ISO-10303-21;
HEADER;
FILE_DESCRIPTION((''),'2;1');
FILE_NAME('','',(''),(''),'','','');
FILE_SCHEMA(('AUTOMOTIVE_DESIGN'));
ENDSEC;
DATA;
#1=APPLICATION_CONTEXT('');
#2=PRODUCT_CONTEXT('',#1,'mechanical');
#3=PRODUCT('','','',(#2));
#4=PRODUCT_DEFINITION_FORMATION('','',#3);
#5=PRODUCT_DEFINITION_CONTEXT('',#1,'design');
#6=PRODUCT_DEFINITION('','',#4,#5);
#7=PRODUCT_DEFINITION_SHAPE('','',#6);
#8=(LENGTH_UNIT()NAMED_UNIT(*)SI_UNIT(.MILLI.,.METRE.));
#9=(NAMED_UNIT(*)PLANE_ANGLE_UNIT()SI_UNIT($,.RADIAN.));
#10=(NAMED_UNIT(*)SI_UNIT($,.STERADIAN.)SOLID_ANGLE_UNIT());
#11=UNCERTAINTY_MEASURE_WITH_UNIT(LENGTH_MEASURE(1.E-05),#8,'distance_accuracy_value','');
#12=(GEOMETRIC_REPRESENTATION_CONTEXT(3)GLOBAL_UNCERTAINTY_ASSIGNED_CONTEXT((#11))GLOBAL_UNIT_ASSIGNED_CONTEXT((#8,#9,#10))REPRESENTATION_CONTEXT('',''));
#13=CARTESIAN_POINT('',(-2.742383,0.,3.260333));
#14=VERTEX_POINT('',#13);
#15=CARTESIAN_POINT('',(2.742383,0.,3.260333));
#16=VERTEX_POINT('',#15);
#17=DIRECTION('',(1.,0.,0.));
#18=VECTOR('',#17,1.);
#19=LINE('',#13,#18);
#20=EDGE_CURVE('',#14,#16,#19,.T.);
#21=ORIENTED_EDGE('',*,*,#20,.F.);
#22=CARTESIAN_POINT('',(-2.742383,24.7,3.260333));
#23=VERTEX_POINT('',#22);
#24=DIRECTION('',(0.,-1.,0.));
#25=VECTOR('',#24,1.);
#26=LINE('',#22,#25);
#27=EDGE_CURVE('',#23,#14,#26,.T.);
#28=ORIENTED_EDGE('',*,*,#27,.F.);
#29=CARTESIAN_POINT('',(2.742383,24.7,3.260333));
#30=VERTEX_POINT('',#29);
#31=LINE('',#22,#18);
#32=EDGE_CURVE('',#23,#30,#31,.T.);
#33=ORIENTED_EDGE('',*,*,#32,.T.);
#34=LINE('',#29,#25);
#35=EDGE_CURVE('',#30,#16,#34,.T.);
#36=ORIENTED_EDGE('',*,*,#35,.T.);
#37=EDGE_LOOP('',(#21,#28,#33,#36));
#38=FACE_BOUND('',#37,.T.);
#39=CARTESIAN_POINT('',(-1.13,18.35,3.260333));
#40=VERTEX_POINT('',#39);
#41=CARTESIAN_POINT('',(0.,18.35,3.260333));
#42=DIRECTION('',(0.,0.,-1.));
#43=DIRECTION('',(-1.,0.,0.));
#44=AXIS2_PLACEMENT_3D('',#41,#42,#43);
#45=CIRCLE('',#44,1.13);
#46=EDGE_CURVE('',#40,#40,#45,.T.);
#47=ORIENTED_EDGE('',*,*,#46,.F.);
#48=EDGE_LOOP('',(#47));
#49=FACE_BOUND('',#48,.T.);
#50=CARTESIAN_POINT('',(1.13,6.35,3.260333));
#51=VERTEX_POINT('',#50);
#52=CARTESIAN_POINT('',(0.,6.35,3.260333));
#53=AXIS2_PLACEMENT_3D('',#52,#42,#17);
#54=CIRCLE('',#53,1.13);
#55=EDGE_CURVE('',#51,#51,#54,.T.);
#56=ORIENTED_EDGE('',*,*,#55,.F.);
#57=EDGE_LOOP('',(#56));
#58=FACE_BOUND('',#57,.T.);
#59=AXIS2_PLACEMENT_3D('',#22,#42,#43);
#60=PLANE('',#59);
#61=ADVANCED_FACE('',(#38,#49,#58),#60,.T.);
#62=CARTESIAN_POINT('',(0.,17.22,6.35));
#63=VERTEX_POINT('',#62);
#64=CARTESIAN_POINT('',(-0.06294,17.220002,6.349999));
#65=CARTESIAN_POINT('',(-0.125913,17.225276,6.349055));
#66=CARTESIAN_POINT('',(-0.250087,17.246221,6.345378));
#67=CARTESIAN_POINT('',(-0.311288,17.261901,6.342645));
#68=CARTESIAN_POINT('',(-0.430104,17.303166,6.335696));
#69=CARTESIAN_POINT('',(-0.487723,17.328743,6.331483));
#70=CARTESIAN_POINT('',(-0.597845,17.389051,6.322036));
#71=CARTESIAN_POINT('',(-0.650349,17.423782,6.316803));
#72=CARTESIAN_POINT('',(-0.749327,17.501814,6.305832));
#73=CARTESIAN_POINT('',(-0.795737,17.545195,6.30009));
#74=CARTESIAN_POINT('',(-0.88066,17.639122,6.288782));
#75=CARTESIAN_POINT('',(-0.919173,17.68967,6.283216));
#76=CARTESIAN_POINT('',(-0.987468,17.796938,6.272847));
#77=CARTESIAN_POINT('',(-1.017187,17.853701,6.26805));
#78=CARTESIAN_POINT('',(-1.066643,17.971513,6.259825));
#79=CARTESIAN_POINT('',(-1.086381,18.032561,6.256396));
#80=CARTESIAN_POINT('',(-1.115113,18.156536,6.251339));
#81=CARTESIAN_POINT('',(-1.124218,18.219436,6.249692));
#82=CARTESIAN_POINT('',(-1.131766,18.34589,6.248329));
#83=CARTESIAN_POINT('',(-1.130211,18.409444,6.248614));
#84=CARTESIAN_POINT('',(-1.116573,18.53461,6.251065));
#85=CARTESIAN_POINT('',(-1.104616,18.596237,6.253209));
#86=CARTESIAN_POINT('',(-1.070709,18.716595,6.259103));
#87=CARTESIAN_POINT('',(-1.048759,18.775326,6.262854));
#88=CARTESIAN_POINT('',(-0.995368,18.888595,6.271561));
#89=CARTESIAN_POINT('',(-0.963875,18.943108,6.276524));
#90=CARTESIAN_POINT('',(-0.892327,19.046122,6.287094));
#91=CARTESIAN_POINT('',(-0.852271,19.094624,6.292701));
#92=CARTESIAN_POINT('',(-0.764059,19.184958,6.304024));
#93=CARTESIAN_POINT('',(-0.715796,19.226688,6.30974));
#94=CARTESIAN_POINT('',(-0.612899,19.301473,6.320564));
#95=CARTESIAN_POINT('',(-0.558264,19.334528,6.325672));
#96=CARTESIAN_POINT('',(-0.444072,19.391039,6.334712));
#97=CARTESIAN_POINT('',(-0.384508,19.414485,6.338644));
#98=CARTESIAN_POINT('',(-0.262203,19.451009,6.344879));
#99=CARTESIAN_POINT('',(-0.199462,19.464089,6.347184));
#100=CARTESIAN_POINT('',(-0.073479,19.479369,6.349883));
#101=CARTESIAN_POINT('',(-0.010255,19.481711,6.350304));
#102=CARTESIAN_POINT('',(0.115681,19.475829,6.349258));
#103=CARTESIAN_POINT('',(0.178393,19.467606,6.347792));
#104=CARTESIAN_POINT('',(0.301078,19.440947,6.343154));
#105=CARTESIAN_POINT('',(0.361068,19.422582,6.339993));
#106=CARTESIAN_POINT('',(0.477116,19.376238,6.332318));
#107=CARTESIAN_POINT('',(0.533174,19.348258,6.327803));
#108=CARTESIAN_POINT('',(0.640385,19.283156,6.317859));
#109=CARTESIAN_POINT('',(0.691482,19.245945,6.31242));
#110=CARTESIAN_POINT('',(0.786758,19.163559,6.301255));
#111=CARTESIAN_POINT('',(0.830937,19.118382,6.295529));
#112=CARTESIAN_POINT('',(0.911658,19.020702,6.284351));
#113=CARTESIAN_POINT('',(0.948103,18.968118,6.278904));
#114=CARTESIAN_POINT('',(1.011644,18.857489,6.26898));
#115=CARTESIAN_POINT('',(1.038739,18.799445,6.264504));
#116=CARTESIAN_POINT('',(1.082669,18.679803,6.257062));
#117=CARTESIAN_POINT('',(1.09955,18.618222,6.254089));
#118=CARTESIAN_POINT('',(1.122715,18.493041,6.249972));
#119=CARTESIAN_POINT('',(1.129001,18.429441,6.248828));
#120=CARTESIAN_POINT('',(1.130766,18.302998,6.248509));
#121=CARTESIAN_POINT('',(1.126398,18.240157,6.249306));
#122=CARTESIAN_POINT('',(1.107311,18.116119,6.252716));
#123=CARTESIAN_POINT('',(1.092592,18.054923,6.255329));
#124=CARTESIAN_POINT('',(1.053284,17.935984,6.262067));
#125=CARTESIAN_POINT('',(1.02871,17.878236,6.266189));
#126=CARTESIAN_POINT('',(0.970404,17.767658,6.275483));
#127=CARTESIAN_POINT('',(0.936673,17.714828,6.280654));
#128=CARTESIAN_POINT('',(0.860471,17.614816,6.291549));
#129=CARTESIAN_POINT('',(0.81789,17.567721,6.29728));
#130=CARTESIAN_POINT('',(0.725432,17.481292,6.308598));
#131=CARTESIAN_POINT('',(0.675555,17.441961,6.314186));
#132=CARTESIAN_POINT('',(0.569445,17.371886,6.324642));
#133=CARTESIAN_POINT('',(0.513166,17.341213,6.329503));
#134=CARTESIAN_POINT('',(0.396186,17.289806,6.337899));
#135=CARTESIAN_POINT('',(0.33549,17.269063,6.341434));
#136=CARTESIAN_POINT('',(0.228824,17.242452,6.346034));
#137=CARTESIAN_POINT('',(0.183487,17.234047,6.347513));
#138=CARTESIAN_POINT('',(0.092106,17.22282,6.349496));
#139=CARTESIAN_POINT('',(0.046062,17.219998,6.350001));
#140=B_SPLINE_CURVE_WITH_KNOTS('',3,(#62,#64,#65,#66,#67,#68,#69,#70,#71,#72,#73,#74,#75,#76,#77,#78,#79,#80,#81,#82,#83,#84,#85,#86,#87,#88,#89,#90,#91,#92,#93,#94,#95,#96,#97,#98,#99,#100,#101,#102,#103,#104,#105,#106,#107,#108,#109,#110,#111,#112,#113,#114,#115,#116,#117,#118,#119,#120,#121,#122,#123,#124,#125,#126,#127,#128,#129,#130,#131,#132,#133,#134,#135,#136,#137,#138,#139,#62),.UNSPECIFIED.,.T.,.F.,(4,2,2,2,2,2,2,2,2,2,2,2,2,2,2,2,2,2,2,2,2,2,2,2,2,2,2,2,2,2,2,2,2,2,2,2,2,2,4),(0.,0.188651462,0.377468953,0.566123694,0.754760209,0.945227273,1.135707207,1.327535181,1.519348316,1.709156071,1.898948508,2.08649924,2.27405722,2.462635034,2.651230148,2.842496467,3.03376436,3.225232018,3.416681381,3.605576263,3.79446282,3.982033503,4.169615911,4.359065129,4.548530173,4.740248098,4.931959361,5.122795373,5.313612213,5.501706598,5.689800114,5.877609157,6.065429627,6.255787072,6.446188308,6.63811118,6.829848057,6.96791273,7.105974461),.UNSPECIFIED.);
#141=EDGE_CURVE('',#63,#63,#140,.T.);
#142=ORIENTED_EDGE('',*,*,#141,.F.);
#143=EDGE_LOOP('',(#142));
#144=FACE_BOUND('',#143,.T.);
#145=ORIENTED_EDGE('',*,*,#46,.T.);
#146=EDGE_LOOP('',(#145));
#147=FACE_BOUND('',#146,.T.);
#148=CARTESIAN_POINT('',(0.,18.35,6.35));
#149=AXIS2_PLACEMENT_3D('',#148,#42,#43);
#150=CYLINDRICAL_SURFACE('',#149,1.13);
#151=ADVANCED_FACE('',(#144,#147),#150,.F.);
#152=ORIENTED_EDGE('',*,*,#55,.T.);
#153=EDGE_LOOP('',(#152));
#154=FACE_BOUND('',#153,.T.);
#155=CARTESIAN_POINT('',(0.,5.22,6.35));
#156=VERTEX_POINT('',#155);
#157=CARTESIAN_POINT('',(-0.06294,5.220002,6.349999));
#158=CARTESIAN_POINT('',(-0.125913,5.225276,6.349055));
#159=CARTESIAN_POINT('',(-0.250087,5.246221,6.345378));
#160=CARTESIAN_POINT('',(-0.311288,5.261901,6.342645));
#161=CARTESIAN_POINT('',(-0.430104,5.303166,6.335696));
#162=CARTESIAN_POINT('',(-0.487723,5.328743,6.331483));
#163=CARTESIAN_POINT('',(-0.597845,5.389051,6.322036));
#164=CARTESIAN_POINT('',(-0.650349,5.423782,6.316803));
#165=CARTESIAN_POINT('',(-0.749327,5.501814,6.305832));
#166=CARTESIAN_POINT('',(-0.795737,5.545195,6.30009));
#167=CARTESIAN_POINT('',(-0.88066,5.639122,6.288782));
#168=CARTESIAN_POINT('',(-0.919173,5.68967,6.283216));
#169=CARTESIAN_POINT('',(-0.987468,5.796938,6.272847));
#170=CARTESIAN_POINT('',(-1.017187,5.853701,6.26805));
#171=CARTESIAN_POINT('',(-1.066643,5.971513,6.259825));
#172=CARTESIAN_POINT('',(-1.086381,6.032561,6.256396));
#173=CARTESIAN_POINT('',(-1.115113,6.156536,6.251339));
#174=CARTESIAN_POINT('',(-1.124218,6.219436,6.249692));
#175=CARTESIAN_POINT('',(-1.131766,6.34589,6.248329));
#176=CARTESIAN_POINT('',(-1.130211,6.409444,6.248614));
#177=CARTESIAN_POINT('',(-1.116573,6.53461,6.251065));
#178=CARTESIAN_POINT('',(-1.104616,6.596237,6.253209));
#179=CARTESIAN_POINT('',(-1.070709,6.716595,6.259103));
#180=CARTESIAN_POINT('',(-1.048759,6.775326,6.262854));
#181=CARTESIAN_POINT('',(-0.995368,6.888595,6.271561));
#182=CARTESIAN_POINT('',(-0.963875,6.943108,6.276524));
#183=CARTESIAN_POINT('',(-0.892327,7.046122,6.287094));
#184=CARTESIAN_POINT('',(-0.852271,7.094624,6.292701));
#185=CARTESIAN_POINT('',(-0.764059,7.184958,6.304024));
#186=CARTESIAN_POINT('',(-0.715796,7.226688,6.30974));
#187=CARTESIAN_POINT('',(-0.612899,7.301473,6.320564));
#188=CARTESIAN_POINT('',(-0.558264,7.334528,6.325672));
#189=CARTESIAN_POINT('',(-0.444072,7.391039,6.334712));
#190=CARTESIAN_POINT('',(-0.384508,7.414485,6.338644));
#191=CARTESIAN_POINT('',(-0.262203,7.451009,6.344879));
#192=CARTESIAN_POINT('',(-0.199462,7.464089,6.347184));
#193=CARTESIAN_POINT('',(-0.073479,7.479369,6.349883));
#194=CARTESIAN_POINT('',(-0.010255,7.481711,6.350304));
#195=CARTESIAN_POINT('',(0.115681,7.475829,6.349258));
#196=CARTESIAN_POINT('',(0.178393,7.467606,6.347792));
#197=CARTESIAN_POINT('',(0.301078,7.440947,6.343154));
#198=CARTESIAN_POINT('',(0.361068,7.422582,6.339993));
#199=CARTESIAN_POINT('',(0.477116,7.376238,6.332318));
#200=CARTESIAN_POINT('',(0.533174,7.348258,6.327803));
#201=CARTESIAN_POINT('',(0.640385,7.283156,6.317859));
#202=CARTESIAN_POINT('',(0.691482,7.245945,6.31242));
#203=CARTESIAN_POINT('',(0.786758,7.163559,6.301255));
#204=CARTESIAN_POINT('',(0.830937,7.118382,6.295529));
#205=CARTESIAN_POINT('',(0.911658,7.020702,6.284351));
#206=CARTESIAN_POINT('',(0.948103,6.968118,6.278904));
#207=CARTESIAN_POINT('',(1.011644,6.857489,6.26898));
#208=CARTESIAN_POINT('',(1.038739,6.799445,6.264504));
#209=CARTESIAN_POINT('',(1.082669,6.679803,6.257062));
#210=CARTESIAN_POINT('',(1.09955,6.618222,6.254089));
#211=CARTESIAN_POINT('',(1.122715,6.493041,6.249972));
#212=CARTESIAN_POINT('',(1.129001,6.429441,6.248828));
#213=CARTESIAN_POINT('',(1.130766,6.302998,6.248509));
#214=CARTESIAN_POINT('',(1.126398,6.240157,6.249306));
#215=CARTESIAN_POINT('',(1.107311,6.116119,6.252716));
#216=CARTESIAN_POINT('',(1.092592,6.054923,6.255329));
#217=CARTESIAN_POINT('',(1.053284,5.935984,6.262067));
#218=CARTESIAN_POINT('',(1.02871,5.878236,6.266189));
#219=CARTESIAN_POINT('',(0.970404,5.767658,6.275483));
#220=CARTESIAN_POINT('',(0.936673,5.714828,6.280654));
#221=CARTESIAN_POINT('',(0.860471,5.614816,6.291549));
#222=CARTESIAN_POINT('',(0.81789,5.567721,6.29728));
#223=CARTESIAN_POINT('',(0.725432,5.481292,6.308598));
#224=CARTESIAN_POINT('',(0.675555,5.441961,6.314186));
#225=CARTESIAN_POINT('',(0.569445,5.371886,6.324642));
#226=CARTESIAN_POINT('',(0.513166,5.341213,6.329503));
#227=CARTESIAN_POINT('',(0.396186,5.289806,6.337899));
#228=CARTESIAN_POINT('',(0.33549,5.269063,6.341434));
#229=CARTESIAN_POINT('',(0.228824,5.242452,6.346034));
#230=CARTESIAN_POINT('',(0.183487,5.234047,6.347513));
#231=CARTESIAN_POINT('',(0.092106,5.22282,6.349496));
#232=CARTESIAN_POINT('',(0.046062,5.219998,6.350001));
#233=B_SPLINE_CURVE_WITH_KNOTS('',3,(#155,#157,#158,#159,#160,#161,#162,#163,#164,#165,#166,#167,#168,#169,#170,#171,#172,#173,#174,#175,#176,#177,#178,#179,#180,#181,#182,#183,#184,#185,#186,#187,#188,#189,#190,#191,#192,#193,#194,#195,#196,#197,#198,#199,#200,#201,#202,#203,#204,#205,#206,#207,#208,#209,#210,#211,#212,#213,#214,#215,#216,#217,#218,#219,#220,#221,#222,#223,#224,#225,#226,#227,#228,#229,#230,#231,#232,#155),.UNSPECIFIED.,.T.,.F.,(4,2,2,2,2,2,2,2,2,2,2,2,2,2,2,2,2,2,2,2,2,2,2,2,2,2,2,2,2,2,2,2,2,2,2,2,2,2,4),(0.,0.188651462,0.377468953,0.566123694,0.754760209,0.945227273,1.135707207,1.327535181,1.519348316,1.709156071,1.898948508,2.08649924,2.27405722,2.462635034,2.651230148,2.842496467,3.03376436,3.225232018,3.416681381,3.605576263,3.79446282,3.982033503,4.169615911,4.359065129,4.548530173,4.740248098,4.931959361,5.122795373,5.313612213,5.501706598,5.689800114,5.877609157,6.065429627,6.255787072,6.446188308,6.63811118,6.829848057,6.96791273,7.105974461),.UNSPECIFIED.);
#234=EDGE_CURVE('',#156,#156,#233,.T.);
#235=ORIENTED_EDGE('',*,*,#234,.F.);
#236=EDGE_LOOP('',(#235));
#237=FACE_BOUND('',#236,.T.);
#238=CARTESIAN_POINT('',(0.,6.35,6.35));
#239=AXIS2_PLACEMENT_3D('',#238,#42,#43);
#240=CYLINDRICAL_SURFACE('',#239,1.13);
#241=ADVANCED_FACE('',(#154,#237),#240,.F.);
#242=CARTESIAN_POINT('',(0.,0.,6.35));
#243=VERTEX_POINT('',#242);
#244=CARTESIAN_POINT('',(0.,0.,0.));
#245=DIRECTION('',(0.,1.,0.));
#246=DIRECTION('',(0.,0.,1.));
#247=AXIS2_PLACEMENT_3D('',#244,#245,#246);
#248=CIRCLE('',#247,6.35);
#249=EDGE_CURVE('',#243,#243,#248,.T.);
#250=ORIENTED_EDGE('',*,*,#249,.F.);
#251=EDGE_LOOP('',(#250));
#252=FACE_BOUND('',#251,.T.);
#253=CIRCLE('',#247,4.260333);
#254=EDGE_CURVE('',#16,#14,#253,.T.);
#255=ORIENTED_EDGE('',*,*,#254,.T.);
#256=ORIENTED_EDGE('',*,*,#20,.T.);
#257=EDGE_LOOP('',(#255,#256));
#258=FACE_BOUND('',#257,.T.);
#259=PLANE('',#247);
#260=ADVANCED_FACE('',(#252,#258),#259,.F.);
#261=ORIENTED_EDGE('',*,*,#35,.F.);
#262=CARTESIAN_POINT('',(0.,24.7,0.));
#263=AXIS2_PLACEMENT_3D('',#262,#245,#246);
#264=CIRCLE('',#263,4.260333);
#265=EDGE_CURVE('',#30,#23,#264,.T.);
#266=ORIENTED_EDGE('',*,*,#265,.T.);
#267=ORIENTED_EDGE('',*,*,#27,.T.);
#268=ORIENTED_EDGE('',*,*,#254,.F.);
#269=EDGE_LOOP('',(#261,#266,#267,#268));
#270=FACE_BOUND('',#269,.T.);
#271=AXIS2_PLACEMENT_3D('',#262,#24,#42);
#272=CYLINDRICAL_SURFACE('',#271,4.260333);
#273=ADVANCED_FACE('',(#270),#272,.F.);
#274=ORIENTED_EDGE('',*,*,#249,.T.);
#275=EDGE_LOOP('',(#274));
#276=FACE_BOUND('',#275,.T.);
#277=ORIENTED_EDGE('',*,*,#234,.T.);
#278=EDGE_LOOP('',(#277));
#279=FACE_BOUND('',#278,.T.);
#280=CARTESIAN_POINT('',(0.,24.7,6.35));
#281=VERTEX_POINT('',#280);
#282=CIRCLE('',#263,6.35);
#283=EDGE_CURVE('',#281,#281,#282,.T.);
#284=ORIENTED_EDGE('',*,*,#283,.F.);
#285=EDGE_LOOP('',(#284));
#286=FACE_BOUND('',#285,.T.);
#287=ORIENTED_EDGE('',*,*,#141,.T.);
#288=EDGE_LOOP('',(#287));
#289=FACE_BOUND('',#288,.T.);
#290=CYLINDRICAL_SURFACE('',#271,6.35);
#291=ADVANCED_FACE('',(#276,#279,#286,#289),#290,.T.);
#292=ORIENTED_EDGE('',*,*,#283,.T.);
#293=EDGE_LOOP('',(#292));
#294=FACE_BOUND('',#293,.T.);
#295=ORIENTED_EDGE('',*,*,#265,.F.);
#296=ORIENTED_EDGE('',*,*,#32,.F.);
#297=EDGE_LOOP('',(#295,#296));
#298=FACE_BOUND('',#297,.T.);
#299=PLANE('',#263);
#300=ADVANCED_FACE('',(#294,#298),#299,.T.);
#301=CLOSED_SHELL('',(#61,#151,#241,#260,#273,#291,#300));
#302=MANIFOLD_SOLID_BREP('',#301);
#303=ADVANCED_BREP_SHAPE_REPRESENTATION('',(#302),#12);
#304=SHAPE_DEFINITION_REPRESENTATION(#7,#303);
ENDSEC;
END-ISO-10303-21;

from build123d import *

# Parameters (mm, degrees)
SKETCH1_R           = 6.35
BOSS_EXTRUDE1_DEPTH = 24.7
SKETCH3_R           = 1.13
CUT_EXTRUDE1_DEPTH  = 28.253825364


with BuildPart() as part:
    # Sketch1 → Boss-Extrude1 (new body)
    with BuildSketch(Plane(origin=(0, 0, 0), x_dir=(1, 0, 0), z_dir=(0, 1, 0))):
        with Locations(Location((0, 0, 0), (0, 0, 270))):
            Circle(SKETCH1_R)
        with BuildLine():
            Line((-2.742383206, -3.260332823), (2.742383206, -3.260332823))
            ThreePointArc((2.742383206, -3.260332823), (0, 4.260332823), (-2.742383206, -3.260332823))
        make_face(mode=Mode.SUBTRACT)
    extrude(amount=BOSS_EXTRUDE1_DEPTH)

    # Sketch3 → Cut-Extrude1 (cut, through all)
    with BuildSketch(Plane(origin=(0, 0, 3.260332823), x_dir=(-1, 0, 0), z_dir=(0, 0, -1))):
        with Locations((0, 18.35)):
            Circle(SKETCH3_R)
        with Locations(Location((0, 6.35, 0), (0, 0, 270))):
            Circle(SKETCH3_R)
    extrude(amount=-CUT_EXTRUDE1_DEPTH, mode=Mode.SUBTRACT)


solid = part.part
